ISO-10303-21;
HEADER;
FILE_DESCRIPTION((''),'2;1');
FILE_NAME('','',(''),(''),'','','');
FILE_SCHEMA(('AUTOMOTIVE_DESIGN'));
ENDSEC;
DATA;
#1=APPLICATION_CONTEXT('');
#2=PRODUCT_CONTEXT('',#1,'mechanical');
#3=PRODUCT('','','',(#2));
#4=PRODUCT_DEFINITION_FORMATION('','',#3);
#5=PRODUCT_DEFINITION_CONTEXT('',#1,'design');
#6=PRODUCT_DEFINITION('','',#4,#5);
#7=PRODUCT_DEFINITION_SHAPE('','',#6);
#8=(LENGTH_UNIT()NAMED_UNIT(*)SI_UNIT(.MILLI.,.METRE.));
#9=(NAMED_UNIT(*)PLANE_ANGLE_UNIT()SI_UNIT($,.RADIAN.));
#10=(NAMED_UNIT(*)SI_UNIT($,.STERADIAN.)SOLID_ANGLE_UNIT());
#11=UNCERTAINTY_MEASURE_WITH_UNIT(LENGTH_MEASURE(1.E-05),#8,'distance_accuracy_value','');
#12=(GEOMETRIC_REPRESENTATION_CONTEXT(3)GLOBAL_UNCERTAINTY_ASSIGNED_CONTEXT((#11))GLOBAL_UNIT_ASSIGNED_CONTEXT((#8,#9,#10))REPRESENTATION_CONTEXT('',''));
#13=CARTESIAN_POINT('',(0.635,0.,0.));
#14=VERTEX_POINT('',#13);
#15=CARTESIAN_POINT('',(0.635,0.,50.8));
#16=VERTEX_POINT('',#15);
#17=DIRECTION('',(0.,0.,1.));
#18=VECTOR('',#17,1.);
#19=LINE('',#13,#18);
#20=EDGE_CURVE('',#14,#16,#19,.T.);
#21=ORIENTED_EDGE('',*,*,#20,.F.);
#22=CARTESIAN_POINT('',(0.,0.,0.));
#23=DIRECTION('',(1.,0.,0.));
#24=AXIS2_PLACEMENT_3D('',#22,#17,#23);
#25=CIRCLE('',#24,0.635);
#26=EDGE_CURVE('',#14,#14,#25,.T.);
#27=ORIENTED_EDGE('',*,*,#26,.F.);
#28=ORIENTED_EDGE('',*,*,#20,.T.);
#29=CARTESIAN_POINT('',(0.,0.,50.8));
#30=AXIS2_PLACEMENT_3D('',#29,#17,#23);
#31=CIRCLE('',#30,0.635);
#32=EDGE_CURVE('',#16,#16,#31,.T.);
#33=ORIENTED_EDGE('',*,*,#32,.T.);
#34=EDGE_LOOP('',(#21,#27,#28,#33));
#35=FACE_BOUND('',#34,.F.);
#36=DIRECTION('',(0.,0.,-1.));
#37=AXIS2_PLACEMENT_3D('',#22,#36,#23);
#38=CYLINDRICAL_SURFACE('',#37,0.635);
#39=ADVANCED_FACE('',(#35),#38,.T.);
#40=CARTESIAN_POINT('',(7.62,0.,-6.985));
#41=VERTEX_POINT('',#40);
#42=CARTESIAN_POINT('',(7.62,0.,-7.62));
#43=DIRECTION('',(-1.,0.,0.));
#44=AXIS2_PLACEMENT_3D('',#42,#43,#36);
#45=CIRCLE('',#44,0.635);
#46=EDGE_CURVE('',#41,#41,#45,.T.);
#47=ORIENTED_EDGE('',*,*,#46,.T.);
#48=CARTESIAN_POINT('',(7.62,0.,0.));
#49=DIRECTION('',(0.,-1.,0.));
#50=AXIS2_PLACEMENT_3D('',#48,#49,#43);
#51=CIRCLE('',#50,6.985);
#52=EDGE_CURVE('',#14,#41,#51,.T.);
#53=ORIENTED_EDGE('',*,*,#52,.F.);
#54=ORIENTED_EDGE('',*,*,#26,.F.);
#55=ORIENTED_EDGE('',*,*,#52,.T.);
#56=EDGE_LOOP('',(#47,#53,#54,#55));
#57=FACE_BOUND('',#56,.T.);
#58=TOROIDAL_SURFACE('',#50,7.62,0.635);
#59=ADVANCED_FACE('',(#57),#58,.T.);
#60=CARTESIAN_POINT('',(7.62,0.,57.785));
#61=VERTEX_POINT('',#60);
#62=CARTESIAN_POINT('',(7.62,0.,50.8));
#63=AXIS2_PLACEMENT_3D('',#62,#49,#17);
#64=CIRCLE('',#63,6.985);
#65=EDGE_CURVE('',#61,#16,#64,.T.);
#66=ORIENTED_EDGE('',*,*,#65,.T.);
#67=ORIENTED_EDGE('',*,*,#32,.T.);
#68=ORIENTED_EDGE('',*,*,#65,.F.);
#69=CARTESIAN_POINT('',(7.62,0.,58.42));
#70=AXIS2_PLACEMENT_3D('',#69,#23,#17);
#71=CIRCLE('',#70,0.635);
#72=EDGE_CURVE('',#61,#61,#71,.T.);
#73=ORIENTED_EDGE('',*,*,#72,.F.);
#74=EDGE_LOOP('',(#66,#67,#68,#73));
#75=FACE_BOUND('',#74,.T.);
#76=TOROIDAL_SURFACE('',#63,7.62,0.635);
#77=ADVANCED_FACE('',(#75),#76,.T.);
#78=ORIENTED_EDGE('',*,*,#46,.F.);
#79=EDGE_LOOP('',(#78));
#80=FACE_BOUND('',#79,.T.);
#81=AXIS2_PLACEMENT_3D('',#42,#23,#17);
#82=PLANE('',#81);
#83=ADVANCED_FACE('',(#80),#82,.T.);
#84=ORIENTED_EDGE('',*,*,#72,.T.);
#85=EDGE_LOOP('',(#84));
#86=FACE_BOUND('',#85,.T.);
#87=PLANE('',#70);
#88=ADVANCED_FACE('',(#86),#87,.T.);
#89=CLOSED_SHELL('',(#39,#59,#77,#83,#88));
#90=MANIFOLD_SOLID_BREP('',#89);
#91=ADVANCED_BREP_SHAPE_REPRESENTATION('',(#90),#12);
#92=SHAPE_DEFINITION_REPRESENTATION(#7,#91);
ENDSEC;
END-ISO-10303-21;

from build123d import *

# Parameters (mm, degrees)
F0_R       = 0.635
F1_DEPTH   = 50.8
F1_FACE_R  = 0.635
F1_FACE1_R = 0.635


with BuildPart() as f1:
    # F0 (on Top) → F1 (new body)
    with BuildSketch(Plane.XY):
        Circle(F0_R)
    extrude(amount=F1_DEPTH)

    # F3: sweep along a path in F2
    with BuildLine(Plane.XZ) as f3_path:
        ThreePointArc((7.62, 58.42), (2.2318463274, 56.1881536726), (0, 50.8))
    # F1_face (on face) → F3 (sweep)
    with BuildSketch(Plane.XY.offset(50.8)):
        Circle(F1_FACE_R)
    sweep(path=f3_path.line)

    # F5: sweep along a path in F4
    with BuildLine(Plane.XZ) as f5_path:
        ThreePointArc((0, 0), (2.2318463274, -5.3881536726), (7.62, -7.62))
    # F1_face1 (on face) → F5 (sweep)
    with BuildSketch(Plane(origin=(0, 0, 0), x_dir=(1, 0, 0), z_dir=(0, 0, -1))):
        Circle(F1_FACE1_R)
    sweep(path=f5_path.line)


solid = f1.part
